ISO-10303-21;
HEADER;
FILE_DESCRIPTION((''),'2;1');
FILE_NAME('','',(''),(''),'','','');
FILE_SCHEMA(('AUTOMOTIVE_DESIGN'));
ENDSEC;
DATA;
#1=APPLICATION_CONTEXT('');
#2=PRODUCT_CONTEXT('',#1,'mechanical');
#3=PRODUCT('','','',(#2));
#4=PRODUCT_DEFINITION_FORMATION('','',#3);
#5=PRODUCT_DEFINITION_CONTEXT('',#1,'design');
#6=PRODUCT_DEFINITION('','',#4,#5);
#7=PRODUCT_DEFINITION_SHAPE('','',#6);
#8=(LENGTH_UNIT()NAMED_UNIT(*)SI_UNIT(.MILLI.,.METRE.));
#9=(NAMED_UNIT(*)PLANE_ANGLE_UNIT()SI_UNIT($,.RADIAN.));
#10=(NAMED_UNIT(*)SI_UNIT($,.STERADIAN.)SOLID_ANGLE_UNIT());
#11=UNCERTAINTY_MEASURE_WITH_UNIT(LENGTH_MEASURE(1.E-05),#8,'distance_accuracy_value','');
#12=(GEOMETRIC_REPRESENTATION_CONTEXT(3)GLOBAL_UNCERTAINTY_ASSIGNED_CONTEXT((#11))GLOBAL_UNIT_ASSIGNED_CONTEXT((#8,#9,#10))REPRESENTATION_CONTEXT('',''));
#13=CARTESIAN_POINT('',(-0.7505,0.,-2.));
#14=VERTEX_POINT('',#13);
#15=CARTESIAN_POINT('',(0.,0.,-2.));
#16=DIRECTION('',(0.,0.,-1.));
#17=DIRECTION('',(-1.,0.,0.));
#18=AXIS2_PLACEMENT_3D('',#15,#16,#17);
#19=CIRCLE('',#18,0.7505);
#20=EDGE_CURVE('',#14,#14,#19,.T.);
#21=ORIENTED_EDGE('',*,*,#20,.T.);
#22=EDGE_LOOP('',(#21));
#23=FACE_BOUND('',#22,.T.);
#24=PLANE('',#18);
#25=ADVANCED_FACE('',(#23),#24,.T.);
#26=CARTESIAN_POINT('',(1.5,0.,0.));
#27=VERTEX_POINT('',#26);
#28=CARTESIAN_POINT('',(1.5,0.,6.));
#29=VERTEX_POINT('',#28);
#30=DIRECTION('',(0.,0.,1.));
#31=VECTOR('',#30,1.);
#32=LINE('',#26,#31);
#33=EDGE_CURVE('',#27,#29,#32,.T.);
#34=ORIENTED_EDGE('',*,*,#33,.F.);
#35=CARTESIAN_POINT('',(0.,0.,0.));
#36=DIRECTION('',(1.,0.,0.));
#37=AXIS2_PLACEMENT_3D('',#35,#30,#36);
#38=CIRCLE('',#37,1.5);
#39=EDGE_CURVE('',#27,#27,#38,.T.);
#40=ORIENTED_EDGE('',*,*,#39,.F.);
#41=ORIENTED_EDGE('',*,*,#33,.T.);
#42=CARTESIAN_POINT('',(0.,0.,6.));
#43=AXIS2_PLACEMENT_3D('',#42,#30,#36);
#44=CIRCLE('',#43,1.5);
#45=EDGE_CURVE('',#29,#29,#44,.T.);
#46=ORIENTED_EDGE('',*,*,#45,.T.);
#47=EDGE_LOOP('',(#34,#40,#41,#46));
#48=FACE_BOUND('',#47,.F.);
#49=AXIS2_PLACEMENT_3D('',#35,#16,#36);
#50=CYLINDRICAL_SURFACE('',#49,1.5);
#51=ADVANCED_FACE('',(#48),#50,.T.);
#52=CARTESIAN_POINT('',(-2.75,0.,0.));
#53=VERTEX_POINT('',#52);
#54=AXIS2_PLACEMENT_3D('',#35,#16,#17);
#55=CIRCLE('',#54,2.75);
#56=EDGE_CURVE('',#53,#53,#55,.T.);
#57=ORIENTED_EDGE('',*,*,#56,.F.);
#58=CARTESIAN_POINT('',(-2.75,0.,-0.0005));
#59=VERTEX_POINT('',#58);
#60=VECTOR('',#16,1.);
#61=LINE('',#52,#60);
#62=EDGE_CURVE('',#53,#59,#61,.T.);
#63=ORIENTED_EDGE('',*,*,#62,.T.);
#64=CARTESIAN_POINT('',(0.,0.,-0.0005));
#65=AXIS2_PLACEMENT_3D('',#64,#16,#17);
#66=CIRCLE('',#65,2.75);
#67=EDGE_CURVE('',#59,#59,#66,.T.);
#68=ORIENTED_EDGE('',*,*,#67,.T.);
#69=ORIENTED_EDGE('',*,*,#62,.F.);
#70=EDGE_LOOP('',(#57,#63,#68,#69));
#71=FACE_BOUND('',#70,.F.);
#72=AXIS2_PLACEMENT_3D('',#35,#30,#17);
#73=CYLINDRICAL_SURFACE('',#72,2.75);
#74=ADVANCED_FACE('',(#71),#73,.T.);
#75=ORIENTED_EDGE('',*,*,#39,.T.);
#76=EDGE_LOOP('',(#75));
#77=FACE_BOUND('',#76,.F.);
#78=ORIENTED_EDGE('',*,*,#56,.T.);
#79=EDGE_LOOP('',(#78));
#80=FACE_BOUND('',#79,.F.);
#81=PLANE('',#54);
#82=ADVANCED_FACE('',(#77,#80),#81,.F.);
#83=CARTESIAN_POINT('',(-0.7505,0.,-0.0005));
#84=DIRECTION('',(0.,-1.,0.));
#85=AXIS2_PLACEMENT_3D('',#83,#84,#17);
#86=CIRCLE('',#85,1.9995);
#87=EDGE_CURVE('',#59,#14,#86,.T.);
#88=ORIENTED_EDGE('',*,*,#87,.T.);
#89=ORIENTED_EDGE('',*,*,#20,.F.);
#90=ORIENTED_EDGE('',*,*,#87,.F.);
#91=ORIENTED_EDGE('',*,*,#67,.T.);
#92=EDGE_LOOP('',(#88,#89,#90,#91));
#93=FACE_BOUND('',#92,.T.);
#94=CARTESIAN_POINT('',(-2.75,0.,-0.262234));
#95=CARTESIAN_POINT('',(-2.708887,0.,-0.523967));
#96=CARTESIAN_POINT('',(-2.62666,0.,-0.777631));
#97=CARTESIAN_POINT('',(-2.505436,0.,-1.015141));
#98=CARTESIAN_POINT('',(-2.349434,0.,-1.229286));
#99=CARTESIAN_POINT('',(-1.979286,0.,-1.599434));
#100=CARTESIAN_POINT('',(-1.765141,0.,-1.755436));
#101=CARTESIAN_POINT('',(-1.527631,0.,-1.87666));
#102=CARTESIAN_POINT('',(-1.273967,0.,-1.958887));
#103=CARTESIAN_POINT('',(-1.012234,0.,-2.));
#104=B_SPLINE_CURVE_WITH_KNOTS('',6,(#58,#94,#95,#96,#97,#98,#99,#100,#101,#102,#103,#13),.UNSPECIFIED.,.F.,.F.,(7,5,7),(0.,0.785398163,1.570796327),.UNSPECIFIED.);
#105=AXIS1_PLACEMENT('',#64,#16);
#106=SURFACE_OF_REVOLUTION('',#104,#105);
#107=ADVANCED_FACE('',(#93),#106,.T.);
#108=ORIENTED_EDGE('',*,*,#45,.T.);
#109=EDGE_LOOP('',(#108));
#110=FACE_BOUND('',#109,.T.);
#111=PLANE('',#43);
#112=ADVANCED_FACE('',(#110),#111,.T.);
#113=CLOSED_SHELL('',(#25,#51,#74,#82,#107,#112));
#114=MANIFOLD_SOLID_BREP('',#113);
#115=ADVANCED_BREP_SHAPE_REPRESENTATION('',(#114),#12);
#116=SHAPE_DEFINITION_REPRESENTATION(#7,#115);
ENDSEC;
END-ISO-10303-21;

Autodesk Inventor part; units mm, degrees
ref_plane "YZ Plane" through (0, 0, 0) normal (1, 0, 0) x (0, 1, 0)
ref_plane "XZ Plane" through (0, 0, 0) normal (0, 1, 0) x (-1, 0, 0)
ref_plane "XY Plane" through (0, 0, 0) normal (0, 0, 1) x (1, 0, 0)
sketch "スケッチ1" plane through (0, 0, 0) normal (0, 0, 1) x (1, 0, 0)
  circle A0 centre (0, 0) radius 1.5
  dimension "d0" = 3
extrude "押し出し1" add sketch "スケッチ1" along normal blind 6
sketch "スケッチ2" plane through (0, 0, 0) normal (0, 0, -1) x (-1, 0, 0)
  circle A0 centre (0, 0) radius 2.75
  dimension "d3" = 5.5
extrude "押し出し2" add sketch "スケッチ2" along normal blind 2
fillet "フィレット1" radius 2 1 edges at (2.75, 0, -2)
thread "ねじ1" size "M3x0.5" class "6g" standard "ANSI Metric M Profile" full length
properties part number "ネジ鍋m3,06" material "鋼、高強度、低合金"
